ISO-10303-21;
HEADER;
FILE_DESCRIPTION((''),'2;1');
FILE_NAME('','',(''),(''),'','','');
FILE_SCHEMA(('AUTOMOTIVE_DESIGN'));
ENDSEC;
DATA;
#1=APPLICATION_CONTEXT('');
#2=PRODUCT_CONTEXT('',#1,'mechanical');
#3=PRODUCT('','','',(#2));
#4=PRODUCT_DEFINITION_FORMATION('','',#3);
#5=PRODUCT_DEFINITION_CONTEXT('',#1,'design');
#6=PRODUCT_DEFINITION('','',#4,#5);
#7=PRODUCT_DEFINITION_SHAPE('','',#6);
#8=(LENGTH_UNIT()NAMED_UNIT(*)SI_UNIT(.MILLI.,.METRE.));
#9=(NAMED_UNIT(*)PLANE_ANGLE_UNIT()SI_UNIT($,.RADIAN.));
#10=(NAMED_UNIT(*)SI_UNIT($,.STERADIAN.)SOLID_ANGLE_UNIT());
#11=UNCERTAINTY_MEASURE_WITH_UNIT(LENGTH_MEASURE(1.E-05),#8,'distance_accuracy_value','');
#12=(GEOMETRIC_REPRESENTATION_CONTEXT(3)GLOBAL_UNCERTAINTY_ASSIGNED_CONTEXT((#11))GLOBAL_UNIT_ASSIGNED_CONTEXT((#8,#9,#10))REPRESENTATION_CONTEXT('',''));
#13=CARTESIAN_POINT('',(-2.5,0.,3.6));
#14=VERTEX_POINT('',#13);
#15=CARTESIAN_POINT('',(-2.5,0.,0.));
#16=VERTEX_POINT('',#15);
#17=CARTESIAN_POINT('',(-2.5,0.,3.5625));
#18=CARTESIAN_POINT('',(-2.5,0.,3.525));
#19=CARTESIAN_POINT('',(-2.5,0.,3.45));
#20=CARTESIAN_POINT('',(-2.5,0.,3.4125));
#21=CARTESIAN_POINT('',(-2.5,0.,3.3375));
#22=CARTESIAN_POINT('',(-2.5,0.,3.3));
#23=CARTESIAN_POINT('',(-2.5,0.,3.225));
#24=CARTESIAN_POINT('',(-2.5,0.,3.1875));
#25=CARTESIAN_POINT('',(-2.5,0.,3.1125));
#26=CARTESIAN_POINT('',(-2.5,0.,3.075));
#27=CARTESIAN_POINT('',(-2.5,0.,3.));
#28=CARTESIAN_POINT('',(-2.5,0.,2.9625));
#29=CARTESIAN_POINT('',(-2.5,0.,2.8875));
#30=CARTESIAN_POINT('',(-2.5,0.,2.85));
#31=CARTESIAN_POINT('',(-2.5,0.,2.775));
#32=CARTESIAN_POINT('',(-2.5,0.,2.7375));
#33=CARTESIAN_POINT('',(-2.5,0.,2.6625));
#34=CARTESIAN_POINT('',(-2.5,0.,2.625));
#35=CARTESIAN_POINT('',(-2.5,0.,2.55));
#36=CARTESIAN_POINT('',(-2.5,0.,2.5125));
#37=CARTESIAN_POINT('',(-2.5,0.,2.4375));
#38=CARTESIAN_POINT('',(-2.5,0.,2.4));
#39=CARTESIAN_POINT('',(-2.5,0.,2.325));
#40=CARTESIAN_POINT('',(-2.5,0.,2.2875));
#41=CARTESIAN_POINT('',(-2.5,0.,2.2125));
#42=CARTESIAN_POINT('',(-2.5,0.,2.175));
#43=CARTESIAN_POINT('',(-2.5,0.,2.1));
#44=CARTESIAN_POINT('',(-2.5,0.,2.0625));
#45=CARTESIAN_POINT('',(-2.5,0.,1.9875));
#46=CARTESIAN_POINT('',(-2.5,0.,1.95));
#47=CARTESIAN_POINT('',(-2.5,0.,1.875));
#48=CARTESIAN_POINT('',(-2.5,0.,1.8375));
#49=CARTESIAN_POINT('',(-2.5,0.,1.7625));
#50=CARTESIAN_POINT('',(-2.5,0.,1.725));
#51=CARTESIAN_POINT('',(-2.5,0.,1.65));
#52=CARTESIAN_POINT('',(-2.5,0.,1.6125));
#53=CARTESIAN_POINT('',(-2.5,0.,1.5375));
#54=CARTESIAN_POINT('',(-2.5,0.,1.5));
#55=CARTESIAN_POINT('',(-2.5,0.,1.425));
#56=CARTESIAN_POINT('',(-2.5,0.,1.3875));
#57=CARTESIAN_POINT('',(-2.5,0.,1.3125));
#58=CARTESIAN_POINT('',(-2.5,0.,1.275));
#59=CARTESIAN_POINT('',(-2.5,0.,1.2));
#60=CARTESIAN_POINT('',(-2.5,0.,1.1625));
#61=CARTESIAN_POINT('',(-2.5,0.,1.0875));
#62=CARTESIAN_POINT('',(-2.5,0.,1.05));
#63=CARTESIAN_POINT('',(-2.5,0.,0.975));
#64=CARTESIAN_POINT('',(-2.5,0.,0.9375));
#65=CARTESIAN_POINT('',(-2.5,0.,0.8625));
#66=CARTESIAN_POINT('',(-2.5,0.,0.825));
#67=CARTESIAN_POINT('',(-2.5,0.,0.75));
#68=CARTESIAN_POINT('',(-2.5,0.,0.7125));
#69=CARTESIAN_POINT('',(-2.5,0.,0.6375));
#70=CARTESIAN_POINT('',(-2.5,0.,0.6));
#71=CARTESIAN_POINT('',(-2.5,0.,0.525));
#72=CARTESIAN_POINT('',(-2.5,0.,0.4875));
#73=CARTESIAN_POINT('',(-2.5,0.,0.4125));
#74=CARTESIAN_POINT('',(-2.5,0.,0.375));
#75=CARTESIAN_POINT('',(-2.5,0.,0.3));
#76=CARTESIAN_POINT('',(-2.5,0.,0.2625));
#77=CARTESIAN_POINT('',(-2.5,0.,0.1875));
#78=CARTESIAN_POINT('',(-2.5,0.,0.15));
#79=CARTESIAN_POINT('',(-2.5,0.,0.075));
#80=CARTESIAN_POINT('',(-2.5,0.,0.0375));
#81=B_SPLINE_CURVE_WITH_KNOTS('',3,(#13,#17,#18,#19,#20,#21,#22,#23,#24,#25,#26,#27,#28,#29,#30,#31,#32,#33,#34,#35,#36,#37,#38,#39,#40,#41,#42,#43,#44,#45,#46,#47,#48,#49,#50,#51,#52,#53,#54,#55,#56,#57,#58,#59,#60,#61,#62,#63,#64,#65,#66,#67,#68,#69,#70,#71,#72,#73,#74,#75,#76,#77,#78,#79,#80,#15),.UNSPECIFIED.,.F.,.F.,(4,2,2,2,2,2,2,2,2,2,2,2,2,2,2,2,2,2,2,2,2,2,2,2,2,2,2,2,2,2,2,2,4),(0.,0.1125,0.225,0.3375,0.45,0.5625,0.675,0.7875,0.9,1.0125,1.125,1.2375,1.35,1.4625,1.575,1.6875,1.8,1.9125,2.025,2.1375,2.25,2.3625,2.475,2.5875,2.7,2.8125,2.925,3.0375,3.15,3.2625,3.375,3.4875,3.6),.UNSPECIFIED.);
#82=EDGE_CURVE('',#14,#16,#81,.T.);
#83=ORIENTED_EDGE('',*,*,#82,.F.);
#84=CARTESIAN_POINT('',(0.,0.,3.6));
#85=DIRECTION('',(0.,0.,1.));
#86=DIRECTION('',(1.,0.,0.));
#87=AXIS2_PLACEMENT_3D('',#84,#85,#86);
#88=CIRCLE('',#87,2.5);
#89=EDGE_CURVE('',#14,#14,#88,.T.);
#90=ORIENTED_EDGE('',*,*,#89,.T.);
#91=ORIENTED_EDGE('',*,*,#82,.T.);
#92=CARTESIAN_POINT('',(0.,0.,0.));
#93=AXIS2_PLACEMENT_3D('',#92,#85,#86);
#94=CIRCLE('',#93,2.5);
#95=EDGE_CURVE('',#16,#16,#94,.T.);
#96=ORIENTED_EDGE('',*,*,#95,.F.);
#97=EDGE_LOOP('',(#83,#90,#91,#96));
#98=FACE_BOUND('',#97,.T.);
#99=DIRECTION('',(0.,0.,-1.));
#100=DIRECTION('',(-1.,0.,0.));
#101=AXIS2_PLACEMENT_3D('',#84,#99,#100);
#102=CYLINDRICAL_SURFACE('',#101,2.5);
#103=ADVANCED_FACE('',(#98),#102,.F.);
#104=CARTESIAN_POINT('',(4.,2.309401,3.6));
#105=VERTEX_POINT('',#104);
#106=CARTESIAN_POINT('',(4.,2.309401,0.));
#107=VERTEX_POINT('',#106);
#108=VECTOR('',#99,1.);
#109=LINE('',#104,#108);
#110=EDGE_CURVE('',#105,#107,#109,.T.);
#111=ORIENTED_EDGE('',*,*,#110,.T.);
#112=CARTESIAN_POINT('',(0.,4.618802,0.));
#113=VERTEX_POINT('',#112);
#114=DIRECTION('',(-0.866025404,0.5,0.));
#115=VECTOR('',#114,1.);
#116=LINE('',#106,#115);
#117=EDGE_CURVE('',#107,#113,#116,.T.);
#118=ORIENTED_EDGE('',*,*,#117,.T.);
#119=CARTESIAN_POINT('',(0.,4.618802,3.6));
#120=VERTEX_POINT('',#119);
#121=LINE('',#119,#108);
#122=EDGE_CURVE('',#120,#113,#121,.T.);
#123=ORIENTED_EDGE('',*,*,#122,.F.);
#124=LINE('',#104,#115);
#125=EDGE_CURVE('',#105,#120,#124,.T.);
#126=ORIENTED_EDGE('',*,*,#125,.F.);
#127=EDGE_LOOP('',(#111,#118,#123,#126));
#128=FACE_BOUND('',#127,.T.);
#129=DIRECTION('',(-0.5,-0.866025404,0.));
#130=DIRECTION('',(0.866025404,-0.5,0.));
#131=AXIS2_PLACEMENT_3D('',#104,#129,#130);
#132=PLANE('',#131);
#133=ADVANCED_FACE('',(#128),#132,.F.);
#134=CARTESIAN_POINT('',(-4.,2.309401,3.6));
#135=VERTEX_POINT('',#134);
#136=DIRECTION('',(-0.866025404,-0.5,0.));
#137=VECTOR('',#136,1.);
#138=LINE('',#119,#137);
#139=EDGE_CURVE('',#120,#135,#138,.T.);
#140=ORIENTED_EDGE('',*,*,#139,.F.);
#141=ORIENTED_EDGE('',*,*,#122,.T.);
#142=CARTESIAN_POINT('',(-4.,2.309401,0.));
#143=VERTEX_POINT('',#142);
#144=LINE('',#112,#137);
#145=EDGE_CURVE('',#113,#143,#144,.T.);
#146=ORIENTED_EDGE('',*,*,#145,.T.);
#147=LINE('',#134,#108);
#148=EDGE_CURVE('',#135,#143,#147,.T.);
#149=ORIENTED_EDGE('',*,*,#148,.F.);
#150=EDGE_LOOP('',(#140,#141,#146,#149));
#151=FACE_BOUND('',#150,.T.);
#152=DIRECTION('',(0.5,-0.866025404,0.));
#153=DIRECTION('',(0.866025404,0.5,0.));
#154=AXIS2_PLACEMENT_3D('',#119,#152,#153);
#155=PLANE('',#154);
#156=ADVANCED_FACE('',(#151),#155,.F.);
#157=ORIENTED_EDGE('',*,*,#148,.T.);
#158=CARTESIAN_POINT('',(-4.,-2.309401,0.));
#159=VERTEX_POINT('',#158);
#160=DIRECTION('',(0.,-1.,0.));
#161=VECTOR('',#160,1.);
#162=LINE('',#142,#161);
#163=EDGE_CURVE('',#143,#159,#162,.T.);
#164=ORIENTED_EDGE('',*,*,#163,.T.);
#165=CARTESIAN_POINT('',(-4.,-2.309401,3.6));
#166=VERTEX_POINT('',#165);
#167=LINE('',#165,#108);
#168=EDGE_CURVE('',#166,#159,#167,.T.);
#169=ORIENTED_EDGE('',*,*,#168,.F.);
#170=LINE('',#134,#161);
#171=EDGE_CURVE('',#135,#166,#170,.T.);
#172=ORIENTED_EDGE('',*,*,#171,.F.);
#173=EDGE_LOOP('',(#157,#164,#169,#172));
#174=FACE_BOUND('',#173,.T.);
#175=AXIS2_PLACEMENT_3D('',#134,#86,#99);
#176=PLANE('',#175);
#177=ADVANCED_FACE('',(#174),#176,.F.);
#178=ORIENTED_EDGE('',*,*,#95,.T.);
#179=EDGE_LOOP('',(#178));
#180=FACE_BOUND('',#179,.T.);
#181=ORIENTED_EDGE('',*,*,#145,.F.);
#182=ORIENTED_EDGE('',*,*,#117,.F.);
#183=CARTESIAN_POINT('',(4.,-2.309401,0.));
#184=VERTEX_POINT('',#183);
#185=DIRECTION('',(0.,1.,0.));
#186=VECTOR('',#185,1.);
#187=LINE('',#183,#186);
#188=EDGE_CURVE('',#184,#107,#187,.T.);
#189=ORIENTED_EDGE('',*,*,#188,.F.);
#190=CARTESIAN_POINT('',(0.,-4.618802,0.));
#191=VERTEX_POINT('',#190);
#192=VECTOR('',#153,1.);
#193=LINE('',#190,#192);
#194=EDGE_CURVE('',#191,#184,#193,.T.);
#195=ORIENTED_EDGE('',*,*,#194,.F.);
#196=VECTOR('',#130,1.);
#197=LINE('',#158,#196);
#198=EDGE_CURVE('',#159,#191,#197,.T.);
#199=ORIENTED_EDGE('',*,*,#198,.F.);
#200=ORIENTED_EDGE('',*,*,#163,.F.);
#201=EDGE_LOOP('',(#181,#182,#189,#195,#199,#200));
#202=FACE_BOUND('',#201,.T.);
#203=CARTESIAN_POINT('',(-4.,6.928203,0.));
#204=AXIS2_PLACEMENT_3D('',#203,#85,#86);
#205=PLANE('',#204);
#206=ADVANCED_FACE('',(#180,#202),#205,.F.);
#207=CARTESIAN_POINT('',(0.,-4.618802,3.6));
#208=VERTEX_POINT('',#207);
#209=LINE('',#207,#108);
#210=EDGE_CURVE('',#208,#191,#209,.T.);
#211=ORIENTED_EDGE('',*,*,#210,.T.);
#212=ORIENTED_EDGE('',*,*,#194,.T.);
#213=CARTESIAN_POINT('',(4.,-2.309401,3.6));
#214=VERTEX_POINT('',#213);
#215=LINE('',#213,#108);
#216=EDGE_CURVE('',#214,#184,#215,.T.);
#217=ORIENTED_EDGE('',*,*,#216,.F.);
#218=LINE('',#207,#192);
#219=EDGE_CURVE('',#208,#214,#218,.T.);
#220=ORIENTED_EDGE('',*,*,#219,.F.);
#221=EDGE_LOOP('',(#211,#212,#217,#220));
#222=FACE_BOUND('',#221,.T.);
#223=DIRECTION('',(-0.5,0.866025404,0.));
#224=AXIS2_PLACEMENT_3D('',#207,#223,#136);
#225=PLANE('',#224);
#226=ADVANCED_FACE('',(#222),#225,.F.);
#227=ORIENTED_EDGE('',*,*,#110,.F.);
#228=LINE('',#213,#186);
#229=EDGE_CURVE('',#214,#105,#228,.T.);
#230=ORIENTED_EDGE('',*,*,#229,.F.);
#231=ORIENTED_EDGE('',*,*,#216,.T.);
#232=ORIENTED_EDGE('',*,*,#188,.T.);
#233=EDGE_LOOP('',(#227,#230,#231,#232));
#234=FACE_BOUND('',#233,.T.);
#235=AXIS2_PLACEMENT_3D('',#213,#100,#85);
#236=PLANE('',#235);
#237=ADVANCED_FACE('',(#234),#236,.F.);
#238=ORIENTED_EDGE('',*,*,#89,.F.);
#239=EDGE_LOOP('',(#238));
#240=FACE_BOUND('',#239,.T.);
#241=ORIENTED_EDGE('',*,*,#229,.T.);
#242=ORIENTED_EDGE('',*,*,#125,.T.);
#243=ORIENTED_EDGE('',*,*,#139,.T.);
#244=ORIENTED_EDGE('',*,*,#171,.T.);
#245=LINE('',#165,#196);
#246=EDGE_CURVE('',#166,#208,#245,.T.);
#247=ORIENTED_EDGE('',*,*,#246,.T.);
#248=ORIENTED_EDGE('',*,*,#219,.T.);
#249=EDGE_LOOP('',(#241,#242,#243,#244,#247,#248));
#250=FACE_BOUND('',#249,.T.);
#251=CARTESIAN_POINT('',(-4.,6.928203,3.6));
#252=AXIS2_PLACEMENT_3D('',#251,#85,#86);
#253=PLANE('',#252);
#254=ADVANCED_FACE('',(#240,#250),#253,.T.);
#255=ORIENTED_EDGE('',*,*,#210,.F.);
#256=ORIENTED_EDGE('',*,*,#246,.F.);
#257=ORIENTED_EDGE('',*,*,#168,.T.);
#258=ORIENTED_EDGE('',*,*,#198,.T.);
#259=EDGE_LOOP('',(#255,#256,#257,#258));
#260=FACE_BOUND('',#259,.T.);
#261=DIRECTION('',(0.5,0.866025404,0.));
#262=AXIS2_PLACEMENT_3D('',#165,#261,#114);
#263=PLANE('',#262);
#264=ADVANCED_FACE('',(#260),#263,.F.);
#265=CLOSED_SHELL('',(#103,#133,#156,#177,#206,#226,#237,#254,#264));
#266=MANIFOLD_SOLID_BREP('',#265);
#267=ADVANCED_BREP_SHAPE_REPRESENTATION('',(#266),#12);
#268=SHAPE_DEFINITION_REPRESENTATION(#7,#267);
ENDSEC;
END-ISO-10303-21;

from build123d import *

# Parameters (mm, degrees)
SKETCH_1_R      = 2.5
EXTRUDE_1_DEPTH = 3.6


with BuildPart() as part:
    # Эскиз1 → Вытянуть1 (new body)
    with BuildSketch(Plane.XY):
        Polygon((0, 4.618802154), (-4, 2.309401077), (-4, -2.309401077), (0, -4.618802154), (4, -2.309401077), (4, 2.309401077), align=None)
        with Locations(Location((0, 0, 0), (0, 0, 180))):
            Circle(SKETCH_1_R, mode=Mode.SUBTRACT)
    extrude(amount=EXTRUDE_1_DEPTH)


solid = part.part
